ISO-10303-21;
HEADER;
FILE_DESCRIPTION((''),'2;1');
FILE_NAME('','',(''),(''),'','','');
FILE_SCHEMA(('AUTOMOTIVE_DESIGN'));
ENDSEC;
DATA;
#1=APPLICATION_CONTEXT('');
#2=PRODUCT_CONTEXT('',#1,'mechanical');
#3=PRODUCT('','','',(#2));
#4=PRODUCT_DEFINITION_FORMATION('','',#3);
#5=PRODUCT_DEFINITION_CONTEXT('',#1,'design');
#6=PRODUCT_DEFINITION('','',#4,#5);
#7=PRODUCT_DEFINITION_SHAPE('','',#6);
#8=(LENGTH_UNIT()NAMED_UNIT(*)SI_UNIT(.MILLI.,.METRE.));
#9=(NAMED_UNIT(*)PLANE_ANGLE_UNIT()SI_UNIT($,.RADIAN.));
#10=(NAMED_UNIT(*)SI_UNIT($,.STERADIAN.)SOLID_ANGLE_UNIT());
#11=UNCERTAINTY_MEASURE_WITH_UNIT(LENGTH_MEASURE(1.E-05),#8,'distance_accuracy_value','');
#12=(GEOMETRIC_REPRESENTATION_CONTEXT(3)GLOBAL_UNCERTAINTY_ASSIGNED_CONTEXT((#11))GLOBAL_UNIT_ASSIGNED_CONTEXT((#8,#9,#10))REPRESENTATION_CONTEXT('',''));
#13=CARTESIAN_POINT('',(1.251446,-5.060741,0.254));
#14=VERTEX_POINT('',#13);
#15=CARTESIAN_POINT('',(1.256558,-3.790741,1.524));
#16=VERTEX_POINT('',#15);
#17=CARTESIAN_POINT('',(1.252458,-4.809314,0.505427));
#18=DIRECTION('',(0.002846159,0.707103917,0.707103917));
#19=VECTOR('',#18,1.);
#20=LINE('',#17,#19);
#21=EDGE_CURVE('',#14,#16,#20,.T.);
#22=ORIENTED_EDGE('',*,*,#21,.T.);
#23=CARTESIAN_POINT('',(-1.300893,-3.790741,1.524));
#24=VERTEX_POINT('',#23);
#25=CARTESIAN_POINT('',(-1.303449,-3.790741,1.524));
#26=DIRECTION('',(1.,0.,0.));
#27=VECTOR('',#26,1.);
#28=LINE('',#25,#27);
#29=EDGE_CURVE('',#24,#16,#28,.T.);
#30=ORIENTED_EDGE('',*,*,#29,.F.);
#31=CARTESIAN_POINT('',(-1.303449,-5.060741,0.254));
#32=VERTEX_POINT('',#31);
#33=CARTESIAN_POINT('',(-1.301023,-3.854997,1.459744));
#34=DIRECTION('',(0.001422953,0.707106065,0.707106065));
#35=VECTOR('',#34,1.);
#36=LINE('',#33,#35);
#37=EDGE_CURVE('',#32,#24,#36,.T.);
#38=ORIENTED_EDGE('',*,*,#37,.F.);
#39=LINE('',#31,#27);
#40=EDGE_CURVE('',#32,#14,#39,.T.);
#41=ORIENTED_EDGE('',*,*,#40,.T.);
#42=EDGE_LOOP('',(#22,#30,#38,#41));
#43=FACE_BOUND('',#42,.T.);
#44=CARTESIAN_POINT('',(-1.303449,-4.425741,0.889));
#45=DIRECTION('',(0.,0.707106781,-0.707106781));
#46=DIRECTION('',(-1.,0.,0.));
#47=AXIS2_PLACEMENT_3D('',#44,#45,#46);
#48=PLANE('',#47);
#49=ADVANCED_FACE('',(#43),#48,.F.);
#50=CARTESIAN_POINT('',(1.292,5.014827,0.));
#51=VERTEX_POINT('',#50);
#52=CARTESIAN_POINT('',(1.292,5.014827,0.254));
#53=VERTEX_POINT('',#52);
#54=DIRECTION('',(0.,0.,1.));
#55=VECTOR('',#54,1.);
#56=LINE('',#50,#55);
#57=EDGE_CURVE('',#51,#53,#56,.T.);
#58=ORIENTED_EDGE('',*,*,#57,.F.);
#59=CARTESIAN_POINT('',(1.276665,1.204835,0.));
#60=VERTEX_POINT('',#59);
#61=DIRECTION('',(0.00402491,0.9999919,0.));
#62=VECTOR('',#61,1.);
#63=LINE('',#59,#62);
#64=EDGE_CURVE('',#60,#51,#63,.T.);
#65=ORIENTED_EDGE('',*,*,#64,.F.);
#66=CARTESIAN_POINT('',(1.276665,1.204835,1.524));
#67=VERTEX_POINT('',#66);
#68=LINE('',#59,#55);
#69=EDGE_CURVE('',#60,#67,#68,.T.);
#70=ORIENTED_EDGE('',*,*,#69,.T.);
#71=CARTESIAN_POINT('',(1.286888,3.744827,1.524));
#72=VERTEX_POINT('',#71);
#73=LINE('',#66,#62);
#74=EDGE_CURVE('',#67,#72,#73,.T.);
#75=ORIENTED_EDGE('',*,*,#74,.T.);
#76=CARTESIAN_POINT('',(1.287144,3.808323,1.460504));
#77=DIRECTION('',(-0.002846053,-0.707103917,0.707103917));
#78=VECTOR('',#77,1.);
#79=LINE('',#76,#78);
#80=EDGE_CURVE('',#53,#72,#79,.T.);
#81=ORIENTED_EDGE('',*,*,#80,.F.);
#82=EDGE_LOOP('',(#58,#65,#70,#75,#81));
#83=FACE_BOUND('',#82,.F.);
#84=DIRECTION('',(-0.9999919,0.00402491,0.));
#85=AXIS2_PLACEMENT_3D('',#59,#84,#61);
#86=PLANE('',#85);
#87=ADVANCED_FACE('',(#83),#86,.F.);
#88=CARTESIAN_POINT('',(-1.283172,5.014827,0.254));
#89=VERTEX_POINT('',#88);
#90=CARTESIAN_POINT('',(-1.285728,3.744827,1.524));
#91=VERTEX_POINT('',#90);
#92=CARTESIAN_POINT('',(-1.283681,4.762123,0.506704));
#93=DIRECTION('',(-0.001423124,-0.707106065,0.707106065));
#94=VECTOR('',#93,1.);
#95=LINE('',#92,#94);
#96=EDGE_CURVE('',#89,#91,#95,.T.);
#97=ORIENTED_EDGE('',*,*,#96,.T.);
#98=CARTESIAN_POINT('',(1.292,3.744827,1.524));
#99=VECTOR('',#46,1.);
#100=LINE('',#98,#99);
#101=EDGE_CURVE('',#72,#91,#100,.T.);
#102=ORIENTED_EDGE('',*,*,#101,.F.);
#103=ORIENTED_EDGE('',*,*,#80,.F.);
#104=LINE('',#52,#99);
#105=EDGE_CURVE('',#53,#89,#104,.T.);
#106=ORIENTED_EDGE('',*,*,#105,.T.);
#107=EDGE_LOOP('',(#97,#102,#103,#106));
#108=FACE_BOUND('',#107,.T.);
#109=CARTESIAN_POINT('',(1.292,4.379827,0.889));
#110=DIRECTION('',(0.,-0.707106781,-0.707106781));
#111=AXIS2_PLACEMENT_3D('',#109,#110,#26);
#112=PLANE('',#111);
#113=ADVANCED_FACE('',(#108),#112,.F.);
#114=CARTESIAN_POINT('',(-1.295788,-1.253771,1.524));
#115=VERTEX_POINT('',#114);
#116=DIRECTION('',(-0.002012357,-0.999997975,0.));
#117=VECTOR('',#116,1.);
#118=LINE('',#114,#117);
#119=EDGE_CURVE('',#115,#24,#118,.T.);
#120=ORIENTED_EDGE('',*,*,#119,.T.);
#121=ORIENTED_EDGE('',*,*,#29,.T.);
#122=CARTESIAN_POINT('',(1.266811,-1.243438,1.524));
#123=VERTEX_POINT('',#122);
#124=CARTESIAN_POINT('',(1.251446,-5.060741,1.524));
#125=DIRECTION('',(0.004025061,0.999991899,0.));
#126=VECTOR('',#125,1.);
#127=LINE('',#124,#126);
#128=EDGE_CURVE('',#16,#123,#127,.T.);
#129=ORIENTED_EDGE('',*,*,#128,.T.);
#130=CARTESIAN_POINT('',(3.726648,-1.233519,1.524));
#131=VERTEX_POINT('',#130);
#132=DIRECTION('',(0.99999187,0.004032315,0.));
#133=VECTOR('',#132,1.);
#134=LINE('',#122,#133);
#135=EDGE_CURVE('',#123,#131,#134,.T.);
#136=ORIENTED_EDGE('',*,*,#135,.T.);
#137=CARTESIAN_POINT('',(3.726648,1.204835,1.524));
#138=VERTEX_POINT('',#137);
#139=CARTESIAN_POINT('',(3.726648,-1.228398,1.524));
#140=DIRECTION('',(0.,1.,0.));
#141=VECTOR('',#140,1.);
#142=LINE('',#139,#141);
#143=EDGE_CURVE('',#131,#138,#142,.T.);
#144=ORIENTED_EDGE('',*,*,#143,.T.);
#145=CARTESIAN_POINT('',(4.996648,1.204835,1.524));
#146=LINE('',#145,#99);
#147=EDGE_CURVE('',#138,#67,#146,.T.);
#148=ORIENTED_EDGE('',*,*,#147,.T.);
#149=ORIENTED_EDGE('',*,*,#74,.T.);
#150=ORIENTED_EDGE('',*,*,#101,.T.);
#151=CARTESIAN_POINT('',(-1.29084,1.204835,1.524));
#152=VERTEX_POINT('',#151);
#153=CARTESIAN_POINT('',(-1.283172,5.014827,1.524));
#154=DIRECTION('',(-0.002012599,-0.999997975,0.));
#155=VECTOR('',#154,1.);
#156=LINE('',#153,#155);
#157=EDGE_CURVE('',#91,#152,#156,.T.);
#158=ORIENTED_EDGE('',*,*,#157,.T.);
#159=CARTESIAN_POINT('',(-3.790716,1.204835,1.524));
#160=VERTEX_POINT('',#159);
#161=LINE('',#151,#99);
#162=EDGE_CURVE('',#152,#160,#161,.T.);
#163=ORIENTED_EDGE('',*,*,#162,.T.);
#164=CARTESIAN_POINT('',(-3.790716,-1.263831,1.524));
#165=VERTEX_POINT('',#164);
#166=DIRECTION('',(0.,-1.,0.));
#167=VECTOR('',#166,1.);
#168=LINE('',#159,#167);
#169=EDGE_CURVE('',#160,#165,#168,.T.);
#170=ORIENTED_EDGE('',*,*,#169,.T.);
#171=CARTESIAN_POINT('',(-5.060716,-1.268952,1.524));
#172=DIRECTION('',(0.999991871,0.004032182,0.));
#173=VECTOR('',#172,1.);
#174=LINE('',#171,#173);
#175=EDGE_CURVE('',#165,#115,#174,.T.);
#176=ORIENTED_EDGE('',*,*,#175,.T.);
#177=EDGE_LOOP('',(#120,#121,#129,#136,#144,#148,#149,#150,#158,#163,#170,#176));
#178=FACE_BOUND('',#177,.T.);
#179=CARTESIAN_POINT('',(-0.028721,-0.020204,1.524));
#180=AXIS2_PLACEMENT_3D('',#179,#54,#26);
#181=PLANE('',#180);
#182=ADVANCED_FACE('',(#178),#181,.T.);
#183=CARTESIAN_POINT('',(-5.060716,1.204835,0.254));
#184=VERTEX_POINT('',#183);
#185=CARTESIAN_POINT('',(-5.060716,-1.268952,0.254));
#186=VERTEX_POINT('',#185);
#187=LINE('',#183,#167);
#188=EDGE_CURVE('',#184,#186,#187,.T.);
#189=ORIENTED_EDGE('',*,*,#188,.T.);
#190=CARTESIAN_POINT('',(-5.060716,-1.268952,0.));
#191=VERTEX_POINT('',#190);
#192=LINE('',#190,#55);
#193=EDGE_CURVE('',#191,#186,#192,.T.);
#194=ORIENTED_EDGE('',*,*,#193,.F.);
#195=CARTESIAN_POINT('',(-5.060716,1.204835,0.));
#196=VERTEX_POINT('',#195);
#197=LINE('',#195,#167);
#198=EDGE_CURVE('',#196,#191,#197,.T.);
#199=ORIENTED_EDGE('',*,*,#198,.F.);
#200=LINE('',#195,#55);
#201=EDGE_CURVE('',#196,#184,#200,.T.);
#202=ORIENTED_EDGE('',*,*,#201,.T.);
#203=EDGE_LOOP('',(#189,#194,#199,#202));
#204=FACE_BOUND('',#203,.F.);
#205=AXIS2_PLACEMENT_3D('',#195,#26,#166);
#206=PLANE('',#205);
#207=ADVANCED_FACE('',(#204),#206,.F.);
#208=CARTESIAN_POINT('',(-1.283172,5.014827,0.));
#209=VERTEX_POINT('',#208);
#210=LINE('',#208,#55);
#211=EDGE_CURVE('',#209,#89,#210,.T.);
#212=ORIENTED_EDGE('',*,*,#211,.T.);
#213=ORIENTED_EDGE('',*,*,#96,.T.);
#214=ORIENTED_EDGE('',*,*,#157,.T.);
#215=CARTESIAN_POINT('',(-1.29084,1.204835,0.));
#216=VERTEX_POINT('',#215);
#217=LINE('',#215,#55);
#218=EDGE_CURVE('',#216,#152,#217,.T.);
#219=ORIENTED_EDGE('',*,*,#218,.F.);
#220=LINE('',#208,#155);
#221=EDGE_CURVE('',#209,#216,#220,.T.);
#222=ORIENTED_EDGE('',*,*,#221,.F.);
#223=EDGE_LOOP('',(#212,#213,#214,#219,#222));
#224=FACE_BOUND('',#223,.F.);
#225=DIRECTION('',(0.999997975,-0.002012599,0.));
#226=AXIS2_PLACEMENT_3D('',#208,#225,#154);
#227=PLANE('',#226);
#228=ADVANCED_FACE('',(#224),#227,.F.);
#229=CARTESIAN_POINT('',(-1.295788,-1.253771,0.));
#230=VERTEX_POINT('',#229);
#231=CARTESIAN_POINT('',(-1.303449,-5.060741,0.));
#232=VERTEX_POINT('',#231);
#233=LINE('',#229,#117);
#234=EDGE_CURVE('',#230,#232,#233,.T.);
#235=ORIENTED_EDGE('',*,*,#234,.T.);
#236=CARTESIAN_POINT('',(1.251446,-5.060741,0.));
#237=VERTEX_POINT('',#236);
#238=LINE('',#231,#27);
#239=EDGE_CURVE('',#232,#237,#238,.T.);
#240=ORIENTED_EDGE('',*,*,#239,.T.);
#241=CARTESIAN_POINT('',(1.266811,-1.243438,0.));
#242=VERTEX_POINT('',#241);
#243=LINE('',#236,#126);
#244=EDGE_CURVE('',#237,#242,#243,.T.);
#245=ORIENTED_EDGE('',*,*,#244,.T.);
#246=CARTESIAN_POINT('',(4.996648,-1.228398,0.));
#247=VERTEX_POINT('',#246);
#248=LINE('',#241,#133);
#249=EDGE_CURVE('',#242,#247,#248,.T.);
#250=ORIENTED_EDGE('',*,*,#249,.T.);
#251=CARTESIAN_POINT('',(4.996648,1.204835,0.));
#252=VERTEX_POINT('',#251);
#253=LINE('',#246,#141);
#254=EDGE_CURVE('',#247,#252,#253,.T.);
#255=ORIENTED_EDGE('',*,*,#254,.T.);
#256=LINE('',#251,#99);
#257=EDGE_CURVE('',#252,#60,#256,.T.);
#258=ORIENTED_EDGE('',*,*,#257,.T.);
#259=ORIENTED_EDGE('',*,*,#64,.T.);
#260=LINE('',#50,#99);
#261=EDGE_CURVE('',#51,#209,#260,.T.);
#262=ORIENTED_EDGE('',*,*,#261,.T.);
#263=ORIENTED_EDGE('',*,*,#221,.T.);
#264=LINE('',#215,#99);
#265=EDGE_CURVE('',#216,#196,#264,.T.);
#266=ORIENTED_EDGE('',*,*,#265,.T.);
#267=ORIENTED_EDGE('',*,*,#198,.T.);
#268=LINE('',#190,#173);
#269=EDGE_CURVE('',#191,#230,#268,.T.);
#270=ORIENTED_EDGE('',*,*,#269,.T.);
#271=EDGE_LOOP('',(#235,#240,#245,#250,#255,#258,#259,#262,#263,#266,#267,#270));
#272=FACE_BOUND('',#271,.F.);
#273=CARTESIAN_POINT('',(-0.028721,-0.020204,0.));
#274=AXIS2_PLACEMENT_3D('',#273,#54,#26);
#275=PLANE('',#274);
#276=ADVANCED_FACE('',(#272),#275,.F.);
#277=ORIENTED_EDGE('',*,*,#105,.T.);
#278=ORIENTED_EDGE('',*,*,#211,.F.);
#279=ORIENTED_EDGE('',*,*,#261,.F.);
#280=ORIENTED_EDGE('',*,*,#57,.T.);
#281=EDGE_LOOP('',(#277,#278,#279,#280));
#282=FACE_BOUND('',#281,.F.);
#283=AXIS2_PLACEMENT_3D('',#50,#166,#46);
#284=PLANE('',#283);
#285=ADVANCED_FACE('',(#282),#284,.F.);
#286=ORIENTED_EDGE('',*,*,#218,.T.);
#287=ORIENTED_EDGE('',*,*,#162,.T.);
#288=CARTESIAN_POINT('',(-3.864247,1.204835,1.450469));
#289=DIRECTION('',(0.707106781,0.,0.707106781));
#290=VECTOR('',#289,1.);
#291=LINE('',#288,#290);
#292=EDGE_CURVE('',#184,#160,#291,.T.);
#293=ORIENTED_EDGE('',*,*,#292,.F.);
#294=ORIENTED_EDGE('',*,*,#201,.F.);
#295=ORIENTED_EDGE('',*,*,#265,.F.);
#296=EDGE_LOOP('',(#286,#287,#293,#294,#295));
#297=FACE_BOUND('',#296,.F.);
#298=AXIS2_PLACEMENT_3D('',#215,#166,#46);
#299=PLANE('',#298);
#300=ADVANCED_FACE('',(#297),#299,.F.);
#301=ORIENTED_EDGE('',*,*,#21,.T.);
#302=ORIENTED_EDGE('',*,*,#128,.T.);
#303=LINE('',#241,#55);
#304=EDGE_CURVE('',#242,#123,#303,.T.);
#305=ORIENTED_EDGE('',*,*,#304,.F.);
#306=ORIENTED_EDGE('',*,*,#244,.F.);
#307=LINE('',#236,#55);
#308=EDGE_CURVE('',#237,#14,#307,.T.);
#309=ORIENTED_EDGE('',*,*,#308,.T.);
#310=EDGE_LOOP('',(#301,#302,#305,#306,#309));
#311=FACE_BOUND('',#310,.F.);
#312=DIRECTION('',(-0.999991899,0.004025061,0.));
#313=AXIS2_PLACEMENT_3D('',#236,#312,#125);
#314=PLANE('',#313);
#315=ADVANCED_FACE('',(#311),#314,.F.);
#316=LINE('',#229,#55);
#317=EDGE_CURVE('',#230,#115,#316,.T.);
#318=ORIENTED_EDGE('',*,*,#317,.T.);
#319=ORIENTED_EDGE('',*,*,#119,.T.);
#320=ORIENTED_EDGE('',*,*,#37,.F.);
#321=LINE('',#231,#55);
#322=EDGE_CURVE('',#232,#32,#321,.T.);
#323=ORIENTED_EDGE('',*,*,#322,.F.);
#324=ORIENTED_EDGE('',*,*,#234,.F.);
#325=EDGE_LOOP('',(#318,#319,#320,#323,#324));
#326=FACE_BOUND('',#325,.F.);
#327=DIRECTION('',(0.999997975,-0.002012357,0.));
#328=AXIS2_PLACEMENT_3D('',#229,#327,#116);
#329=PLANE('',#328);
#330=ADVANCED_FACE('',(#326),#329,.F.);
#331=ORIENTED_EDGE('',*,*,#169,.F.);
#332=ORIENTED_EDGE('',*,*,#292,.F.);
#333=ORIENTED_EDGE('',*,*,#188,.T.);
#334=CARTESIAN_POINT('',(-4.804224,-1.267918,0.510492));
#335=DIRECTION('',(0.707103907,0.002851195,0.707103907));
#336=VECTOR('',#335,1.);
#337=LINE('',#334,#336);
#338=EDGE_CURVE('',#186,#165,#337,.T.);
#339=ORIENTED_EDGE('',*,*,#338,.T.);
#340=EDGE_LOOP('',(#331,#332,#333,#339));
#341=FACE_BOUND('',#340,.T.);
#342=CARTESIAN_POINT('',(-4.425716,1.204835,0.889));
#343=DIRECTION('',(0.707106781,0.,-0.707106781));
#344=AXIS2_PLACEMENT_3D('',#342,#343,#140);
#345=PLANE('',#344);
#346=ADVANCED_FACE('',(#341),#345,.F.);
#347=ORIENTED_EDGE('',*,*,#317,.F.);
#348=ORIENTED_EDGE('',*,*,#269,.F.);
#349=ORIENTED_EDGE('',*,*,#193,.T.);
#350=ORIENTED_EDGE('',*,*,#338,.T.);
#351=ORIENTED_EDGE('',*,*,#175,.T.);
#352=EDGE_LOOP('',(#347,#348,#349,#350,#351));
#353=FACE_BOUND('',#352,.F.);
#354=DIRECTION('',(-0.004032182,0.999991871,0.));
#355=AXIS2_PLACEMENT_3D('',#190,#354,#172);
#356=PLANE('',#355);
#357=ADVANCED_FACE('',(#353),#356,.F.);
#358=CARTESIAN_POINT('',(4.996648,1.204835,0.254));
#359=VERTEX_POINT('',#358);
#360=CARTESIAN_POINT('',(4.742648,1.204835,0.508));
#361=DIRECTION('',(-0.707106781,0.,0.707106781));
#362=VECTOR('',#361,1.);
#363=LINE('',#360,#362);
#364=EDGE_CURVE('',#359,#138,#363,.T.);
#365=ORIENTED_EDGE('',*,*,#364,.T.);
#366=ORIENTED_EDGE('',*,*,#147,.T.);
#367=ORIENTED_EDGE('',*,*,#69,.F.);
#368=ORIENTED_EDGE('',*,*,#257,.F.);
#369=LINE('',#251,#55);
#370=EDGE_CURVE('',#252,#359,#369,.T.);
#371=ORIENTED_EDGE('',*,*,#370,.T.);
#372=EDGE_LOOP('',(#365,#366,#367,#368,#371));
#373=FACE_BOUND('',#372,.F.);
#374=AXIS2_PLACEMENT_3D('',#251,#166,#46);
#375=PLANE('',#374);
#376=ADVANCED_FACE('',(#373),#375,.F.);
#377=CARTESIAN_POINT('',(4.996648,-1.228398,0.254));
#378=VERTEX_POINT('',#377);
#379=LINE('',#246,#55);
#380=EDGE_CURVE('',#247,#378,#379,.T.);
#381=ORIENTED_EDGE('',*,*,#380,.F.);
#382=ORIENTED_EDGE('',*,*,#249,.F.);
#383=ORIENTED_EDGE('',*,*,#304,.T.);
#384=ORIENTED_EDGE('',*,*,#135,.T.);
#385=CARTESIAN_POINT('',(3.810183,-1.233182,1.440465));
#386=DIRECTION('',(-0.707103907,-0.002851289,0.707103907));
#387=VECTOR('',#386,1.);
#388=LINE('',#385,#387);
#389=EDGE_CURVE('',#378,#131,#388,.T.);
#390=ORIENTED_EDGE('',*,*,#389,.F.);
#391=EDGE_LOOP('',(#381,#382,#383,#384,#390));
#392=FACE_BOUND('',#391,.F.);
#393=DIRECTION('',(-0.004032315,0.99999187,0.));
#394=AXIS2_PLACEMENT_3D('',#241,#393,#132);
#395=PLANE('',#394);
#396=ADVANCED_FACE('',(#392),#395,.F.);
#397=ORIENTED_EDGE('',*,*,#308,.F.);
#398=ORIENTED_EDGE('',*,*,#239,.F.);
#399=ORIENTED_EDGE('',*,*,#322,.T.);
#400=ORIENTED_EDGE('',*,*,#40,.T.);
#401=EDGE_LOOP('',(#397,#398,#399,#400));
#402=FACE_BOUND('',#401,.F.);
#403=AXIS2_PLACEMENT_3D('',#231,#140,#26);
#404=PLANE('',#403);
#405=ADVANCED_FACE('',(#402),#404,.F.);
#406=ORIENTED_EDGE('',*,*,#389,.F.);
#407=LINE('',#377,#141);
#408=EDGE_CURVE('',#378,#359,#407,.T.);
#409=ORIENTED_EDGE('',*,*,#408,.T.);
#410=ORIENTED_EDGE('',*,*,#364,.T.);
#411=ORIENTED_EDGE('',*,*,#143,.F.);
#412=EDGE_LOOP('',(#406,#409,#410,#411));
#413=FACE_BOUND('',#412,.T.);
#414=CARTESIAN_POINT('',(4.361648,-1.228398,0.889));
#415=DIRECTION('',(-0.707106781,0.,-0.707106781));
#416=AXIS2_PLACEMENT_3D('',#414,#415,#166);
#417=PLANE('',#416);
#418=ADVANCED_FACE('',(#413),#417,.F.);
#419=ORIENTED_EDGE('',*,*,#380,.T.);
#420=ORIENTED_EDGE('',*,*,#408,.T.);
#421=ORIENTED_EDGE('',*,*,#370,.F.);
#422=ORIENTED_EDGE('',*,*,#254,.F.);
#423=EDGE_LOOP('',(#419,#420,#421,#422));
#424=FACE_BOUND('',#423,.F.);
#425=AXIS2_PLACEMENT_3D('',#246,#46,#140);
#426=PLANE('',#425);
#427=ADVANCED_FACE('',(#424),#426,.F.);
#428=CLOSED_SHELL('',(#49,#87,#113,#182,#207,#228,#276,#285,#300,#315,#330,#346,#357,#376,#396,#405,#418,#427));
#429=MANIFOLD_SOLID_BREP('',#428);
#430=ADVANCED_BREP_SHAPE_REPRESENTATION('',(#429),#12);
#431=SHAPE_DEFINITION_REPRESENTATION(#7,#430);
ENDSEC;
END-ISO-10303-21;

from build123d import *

# Parameters (mm, degrees)
F1_DEPTH = 1.524
F2_SIZE  = 1.27


with BuildPart() as f1:
    # F0 (on Top) → F1 (new body)
    with BuildSketch(Plane.XY):
        Polygon((-5.060716, 1.204835), (-5.060716, 0), (-5.060716, -1.268952), (-1.295788, -1.253771), (-1.303449, -5.060741), (0, -5.060741), (1.251446, -5.060741), (1.266811, -1.243438), (4.996648, -1.228398), (4.996648, 0), (4.996648, 1.204835), (1.276665, 1.204835), (1.292, 5.014827), (0, 5.014827), (-1.283172, 5.014827), (-1.29084, 1.204835), align=None)
    extrude(amount=F1_DEPTH)

    # F2
    f2_edges = [f1.edges().sort_by_distance(p)[0] for p in [
        (-0.026002, -5.060741, 1.524),
        (-5.060716, -0.032059, 1.524),
        (0.004414, 5.014827, 1.524),
        (4.996648, -0.011782, 1.524),
    ]]
    chamfer(f2_edges, length=F2_SIZE)


solid = f1.part
